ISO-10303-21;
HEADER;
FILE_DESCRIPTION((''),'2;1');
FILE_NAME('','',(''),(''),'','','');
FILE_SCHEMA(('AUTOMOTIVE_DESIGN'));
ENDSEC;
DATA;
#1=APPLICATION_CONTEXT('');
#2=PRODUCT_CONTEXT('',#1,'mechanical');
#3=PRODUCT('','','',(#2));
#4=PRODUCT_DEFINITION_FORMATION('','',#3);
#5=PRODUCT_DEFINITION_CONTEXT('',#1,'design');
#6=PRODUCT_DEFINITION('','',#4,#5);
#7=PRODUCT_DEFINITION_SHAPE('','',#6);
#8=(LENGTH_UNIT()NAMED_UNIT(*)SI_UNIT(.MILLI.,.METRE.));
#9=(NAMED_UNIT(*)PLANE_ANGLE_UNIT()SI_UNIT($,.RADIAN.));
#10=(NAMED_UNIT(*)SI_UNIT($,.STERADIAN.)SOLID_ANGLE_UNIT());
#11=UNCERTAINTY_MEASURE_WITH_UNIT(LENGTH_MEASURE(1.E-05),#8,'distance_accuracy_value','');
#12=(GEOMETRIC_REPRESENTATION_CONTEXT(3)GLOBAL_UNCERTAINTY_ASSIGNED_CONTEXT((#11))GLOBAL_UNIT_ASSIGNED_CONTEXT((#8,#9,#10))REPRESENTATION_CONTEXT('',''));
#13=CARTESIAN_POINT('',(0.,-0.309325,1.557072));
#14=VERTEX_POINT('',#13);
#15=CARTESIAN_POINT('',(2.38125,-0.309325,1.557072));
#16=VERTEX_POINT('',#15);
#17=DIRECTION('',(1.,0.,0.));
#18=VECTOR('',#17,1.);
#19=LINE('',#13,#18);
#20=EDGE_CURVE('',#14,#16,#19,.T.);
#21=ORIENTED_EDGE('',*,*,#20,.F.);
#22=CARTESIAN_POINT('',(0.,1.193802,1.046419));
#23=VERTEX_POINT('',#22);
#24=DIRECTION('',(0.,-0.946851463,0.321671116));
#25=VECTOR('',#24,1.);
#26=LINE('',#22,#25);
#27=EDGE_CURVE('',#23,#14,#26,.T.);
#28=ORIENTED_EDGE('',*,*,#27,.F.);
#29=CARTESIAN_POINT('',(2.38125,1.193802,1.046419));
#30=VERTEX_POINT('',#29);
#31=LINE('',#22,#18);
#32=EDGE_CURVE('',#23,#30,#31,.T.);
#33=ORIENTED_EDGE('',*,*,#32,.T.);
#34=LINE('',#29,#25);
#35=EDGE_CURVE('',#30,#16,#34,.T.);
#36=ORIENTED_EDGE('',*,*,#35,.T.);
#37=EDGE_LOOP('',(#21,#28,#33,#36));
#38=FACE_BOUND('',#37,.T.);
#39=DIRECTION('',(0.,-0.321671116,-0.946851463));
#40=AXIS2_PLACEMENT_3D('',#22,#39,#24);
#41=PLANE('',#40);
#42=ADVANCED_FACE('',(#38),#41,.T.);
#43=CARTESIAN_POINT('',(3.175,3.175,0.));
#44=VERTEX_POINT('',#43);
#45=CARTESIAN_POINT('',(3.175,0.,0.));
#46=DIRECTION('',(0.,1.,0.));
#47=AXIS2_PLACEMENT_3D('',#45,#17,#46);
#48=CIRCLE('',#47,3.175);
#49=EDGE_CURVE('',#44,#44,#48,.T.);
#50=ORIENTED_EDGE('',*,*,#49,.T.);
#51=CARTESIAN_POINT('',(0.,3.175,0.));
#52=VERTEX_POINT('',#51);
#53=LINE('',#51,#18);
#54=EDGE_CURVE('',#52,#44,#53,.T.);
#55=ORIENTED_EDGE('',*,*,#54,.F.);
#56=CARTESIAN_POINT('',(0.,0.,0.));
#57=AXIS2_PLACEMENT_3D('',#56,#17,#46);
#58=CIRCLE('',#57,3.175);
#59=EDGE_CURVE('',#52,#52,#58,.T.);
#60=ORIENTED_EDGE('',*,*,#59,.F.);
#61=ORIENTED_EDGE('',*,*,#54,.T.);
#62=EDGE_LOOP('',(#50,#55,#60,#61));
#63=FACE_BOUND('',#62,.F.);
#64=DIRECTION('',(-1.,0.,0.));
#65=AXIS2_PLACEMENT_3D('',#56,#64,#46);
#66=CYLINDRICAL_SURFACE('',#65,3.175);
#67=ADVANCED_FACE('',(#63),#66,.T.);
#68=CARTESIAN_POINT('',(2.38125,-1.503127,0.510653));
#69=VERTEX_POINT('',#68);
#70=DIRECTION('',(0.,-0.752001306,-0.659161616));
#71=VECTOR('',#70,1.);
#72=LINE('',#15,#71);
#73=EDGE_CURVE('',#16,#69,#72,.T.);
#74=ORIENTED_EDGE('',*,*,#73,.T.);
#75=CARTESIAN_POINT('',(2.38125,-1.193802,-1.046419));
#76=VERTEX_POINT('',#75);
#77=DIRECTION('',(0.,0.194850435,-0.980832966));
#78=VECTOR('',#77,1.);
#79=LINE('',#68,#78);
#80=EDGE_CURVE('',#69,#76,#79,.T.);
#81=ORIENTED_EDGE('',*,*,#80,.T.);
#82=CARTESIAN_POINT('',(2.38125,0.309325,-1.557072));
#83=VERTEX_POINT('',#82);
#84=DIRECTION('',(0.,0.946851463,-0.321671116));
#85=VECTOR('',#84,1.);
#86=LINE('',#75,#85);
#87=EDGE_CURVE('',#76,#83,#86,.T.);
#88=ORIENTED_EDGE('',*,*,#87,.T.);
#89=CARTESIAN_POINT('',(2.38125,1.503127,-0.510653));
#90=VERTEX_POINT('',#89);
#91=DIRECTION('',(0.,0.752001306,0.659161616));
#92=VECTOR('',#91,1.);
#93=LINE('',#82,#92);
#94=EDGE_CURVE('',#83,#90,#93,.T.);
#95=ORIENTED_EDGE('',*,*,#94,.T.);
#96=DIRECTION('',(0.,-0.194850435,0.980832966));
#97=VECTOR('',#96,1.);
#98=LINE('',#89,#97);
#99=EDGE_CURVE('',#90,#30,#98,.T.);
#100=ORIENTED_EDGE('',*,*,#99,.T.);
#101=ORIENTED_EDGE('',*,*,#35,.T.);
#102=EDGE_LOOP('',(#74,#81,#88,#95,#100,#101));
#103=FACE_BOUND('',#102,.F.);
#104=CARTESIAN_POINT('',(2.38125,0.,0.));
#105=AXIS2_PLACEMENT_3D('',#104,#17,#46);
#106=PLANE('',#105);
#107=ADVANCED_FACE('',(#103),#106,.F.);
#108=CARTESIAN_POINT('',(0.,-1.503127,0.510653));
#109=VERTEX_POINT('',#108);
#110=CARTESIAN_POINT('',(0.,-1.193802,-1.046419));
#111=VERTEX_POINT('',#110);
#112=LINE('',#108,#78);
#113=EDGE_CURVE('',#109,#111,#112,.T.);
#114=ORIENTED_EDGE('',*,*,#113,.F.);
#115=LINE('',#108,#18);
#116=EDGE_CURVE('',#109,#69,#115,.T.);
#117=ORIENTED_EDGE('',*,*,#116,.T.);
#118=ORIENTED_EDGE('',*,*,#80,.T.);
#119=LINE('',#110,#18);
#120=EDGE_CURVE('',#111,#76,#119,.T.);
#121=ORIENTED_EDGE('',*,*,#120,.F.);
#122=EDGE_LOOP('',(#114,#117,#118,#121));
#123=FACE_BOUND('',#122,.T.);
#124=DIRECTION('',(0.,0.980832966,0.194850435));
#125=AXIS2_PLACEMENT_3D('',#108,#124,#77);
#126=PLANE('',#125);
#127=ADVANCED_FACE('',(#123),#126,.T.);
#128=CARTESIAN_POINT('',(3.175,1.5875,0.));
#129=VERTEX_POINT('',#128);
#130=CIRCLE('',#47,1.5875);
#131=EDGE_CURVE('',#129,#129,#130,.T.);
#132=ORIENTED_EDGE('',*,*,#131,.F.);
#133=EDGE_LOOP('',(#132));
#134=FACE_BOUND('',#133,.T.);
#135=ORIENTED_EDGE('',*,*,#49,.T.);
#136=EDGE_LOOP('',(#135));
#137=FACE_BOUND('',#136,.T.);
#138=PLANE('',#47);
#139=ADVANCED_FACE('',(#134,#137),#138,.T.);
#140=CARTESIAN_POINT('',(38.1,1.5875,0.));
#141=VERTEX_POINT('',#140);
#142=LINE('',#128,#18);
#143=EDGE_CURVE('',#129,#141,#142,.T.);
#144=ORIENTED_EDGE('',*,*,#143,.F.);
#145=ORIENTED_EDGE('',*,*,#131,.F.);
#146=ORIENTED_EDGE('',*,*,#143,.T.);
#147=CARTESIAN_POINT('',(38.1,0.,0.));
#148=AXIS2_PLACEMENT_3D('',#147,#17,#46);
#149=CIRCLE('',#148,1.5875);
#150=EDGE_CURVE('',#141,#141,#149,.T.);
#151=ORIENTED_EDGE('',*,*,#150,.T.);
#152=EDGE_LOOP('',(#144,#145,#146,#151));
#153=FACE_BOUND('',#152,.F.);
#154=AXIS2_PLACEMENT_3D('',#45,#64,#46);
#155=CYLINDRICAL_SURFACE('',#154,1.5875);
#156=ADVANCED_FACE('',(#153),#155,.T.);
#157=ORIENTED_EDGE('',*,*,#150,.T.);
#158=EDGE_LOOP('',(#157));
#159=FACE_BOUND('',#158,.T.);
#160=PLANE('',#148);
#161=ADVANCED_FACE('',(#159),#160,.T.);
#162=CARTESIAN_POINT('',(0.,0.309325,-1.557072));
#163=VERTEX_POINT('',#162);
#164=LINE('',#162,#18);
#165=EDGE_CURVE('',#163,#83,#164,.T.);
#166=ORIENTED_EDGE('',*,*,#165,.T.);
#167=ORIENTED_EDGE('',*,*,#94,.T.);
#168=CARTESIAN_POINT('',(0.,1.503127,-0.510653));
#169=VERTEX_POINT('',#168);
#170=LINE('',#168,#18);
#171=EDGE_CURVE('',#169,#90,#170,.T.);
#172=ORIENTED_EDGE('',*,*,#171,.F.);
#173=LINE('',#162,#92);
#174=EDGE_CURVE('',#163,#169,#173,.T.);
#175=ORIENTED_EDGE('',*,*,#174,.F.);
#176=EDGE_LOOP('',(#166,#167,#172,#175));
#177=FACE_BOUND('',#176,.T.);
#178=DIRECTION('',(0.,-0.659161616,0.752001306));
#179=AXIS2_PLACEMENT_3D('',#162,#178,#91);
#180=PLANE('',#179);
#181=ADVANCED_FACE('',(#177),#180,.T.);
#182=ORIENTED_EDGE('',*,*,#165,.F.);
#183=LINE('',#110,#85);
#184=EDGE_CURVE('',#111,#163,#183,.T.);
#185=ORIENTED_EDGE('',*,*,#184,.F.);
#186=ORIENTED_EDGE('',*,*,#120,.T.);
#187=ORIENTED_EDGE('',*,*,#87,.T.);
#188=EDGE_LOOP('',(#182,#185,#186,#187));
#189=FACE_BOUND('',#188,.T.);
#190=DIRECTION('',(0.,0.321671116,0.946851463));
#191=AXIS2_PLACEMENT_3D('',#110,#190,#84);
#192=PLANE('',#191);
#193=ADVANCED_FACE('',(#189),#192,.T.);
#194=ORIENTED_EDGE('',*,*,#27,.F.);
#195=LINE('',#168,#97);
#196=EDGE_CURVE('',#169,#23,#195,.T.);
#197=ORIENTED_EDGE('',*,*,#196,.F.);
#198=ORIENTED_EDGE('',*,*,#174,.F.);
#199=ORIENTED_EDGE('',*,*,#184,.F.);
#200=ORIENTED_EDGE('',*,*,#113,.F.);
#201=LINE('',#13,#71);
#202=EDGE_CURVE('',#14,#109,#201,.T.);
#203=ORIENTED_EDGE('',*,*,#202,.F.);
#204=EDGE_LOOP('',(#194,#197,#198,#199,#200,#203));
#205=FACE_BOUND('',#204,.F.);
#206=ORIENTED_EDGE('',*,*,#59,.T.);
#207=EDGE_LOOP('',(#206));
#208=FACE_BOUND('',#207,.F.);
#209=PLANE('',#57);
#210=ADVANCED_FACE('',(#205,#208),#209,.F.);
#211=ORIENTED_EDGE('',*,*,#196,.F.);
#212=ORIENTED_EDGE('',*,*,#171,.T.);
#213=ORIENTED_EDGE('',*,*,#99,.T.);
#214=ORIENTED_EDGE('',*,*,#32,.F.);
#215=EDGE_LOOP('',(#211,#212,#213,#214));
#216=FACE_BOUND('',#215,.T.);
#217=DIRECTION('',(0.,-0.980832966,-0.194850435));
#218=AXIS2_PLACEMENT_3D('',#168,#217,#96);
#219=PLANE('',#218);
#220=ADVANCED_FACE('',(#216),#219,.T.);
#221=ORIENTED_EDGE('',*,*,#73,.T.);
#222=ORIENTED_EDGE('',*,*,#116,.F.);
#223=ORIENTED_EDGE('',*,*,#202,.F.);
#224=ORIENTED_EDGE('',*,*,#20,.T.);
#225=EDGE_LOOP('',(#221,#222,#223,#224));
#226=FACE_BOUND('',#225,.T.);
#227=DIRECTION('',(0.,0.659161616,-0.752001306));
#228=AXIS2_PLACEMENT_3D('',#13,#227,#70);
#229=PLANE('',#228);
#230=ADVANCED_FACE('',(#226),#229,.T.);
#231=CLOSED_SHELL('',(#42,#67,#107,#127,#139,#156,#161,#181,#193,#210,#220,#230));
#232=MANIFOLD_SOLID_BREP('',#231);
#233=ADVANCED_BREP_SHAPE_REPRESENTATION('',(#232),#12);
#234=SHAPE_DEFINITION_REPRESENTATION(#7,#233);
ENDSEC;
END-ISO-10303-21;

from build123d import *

# Parameters (mm, degrees)
F0_R     = 3.175
F1_DEPTH = 3.175
F2_R     = 1.5875
F3_DEPTH = 34.925
F4_DEPTH = 2.38125


with BuildPart() as f1:
    # F0 (on Right) → F1 (new body)
    with BuildSketch(Plane.YZ):
        Circle(F0_R)
        Polygon((1.193802, 1.046419), (1.503127, -0.510653), (0.309325, -1.557072), (-1.193802, -1.046419), (-1.503127, 0.510653), (-0.309325, 1.557072), align=None, mode=Mode.SUBTRACT)
        Polygon((0.309325, -1.557072), (1.503127, -0.510653), (1.193802, 1.046419), (-0.309325, 1.557072), (-1.503127, 0.510653), (-1.193802, -1.046419), align=None)
    extrude(amount=F1_DEPTH)

    # F2 (on face) → F3 (join)
    with BuildSketch(Plane.YZ.offset(3.175)):
        Circle(F2_R)
    extrude(amount=F3_DEPTH)

    # F0 (on Right) → F4 (cut)
    with BuildSketch(Plane.YZ):
        Polygon((0.309325, -1.557072), (1.503127, -0.510653), (1.193802, 1.046419), (-0.309325, 1.557072), (-1.503127, 0.510653), (-1.193802, -1.046419), align=None)
    extrude(amount=F4_DEPTH, mode=Mode.SUBTRACT)


solid = f1.part
